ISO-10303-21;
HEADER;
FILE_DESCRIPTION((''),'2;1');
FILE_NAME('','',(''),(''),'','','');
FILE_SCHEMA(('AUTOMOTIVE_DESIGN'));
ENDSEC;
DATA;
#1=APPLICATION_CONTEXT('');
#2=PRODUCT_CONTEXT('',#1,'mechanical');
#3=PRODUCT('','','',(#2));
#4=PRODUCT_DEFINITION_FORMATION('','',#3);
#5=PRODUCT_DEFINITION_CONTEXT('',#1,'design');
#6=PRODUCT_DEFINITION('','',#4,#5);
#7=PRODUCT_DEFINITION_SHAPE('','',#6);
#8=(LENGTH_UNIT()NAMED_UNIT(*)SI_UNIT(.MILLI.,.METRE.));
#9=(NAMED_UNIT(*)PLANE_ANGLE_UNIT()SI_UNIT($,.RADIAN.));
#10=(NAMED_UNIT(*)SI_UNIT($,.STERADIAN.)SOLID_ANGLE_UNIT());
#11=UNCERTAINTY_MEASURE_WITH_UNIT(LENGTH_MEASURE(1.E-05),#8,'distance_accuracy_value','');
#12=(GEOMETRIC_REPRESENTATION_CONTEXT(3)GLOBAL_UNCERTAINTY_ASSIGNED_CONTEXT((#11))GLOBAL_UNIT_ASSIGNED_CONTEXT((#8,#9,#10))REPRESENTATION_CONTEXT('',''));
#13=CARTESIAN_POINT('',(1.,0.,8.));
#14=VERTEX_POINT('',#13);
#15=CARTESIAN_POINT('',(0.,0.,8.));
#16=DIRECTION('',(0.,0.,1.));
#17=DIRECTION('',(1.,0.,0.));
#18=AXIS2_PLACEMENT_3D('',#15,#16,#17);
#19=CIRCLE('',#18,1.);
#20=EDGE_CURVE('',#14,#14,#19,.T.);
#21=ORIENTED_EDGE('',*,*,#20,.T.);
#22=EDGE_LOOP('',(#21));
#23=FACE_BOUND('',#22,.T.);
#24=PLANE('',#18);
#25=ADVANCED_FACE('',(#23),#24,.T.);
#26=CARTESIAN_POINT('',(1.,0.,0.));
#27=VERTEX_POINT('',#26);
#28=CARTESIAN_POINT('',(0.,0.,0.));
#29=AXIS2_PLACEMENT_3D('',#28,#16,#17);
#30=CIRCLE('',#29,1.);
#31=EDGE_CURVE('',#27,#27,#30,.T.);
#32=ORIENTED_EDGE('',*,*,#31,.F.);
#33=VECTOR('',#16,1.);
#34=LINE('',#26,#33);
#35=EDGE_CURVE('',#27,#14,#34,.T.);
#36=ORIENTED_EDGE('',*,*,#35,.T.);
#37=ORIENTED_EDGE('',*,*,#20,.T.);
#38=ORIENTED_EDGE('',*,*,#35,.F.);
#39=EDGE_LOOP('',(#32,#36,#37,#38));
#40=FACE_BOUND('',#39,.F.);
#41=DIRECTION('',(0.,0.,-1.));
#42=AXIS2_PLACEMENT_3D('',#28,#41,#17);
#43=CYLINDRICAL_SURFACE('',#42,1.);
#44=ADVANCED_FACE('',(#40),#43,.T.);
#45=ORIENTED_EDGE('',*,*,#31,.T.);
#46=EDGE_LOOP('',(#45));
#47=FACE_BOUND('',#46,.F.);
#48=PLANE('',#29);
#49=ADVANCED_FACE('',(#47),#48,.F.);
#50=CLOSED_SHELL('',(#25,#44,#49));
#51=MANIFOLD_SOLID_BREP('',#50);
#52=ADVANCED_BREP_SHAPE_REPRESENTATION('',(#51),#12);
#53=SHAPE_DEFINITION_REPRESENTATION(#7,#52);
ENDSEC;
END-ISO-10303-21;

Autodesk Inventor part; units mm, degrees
ref_plane "YZ Plane" through (0, 0, 0) normal (1, 0, 0) x (0, 1, 0)
ref_plane "XZ Plane" through (0, 0, 0) normal (0, 1, 0) x (-1, 0, 0)
ref_plane "XY Plane" through (0, 0, 0) normal (0, 0, 1) x (1, 0, 0)
sketch "Sketch1" plane through (0, 0, 0) normal (0, 0, 1) x (1, 0, 0)
  circle A0 centre (0, 0) radius 1
  dimension "d0" = 2
extrude "Extrusion1" add sketch "Sketch1" along normal blind 8
properties part number "illesztőszög"
